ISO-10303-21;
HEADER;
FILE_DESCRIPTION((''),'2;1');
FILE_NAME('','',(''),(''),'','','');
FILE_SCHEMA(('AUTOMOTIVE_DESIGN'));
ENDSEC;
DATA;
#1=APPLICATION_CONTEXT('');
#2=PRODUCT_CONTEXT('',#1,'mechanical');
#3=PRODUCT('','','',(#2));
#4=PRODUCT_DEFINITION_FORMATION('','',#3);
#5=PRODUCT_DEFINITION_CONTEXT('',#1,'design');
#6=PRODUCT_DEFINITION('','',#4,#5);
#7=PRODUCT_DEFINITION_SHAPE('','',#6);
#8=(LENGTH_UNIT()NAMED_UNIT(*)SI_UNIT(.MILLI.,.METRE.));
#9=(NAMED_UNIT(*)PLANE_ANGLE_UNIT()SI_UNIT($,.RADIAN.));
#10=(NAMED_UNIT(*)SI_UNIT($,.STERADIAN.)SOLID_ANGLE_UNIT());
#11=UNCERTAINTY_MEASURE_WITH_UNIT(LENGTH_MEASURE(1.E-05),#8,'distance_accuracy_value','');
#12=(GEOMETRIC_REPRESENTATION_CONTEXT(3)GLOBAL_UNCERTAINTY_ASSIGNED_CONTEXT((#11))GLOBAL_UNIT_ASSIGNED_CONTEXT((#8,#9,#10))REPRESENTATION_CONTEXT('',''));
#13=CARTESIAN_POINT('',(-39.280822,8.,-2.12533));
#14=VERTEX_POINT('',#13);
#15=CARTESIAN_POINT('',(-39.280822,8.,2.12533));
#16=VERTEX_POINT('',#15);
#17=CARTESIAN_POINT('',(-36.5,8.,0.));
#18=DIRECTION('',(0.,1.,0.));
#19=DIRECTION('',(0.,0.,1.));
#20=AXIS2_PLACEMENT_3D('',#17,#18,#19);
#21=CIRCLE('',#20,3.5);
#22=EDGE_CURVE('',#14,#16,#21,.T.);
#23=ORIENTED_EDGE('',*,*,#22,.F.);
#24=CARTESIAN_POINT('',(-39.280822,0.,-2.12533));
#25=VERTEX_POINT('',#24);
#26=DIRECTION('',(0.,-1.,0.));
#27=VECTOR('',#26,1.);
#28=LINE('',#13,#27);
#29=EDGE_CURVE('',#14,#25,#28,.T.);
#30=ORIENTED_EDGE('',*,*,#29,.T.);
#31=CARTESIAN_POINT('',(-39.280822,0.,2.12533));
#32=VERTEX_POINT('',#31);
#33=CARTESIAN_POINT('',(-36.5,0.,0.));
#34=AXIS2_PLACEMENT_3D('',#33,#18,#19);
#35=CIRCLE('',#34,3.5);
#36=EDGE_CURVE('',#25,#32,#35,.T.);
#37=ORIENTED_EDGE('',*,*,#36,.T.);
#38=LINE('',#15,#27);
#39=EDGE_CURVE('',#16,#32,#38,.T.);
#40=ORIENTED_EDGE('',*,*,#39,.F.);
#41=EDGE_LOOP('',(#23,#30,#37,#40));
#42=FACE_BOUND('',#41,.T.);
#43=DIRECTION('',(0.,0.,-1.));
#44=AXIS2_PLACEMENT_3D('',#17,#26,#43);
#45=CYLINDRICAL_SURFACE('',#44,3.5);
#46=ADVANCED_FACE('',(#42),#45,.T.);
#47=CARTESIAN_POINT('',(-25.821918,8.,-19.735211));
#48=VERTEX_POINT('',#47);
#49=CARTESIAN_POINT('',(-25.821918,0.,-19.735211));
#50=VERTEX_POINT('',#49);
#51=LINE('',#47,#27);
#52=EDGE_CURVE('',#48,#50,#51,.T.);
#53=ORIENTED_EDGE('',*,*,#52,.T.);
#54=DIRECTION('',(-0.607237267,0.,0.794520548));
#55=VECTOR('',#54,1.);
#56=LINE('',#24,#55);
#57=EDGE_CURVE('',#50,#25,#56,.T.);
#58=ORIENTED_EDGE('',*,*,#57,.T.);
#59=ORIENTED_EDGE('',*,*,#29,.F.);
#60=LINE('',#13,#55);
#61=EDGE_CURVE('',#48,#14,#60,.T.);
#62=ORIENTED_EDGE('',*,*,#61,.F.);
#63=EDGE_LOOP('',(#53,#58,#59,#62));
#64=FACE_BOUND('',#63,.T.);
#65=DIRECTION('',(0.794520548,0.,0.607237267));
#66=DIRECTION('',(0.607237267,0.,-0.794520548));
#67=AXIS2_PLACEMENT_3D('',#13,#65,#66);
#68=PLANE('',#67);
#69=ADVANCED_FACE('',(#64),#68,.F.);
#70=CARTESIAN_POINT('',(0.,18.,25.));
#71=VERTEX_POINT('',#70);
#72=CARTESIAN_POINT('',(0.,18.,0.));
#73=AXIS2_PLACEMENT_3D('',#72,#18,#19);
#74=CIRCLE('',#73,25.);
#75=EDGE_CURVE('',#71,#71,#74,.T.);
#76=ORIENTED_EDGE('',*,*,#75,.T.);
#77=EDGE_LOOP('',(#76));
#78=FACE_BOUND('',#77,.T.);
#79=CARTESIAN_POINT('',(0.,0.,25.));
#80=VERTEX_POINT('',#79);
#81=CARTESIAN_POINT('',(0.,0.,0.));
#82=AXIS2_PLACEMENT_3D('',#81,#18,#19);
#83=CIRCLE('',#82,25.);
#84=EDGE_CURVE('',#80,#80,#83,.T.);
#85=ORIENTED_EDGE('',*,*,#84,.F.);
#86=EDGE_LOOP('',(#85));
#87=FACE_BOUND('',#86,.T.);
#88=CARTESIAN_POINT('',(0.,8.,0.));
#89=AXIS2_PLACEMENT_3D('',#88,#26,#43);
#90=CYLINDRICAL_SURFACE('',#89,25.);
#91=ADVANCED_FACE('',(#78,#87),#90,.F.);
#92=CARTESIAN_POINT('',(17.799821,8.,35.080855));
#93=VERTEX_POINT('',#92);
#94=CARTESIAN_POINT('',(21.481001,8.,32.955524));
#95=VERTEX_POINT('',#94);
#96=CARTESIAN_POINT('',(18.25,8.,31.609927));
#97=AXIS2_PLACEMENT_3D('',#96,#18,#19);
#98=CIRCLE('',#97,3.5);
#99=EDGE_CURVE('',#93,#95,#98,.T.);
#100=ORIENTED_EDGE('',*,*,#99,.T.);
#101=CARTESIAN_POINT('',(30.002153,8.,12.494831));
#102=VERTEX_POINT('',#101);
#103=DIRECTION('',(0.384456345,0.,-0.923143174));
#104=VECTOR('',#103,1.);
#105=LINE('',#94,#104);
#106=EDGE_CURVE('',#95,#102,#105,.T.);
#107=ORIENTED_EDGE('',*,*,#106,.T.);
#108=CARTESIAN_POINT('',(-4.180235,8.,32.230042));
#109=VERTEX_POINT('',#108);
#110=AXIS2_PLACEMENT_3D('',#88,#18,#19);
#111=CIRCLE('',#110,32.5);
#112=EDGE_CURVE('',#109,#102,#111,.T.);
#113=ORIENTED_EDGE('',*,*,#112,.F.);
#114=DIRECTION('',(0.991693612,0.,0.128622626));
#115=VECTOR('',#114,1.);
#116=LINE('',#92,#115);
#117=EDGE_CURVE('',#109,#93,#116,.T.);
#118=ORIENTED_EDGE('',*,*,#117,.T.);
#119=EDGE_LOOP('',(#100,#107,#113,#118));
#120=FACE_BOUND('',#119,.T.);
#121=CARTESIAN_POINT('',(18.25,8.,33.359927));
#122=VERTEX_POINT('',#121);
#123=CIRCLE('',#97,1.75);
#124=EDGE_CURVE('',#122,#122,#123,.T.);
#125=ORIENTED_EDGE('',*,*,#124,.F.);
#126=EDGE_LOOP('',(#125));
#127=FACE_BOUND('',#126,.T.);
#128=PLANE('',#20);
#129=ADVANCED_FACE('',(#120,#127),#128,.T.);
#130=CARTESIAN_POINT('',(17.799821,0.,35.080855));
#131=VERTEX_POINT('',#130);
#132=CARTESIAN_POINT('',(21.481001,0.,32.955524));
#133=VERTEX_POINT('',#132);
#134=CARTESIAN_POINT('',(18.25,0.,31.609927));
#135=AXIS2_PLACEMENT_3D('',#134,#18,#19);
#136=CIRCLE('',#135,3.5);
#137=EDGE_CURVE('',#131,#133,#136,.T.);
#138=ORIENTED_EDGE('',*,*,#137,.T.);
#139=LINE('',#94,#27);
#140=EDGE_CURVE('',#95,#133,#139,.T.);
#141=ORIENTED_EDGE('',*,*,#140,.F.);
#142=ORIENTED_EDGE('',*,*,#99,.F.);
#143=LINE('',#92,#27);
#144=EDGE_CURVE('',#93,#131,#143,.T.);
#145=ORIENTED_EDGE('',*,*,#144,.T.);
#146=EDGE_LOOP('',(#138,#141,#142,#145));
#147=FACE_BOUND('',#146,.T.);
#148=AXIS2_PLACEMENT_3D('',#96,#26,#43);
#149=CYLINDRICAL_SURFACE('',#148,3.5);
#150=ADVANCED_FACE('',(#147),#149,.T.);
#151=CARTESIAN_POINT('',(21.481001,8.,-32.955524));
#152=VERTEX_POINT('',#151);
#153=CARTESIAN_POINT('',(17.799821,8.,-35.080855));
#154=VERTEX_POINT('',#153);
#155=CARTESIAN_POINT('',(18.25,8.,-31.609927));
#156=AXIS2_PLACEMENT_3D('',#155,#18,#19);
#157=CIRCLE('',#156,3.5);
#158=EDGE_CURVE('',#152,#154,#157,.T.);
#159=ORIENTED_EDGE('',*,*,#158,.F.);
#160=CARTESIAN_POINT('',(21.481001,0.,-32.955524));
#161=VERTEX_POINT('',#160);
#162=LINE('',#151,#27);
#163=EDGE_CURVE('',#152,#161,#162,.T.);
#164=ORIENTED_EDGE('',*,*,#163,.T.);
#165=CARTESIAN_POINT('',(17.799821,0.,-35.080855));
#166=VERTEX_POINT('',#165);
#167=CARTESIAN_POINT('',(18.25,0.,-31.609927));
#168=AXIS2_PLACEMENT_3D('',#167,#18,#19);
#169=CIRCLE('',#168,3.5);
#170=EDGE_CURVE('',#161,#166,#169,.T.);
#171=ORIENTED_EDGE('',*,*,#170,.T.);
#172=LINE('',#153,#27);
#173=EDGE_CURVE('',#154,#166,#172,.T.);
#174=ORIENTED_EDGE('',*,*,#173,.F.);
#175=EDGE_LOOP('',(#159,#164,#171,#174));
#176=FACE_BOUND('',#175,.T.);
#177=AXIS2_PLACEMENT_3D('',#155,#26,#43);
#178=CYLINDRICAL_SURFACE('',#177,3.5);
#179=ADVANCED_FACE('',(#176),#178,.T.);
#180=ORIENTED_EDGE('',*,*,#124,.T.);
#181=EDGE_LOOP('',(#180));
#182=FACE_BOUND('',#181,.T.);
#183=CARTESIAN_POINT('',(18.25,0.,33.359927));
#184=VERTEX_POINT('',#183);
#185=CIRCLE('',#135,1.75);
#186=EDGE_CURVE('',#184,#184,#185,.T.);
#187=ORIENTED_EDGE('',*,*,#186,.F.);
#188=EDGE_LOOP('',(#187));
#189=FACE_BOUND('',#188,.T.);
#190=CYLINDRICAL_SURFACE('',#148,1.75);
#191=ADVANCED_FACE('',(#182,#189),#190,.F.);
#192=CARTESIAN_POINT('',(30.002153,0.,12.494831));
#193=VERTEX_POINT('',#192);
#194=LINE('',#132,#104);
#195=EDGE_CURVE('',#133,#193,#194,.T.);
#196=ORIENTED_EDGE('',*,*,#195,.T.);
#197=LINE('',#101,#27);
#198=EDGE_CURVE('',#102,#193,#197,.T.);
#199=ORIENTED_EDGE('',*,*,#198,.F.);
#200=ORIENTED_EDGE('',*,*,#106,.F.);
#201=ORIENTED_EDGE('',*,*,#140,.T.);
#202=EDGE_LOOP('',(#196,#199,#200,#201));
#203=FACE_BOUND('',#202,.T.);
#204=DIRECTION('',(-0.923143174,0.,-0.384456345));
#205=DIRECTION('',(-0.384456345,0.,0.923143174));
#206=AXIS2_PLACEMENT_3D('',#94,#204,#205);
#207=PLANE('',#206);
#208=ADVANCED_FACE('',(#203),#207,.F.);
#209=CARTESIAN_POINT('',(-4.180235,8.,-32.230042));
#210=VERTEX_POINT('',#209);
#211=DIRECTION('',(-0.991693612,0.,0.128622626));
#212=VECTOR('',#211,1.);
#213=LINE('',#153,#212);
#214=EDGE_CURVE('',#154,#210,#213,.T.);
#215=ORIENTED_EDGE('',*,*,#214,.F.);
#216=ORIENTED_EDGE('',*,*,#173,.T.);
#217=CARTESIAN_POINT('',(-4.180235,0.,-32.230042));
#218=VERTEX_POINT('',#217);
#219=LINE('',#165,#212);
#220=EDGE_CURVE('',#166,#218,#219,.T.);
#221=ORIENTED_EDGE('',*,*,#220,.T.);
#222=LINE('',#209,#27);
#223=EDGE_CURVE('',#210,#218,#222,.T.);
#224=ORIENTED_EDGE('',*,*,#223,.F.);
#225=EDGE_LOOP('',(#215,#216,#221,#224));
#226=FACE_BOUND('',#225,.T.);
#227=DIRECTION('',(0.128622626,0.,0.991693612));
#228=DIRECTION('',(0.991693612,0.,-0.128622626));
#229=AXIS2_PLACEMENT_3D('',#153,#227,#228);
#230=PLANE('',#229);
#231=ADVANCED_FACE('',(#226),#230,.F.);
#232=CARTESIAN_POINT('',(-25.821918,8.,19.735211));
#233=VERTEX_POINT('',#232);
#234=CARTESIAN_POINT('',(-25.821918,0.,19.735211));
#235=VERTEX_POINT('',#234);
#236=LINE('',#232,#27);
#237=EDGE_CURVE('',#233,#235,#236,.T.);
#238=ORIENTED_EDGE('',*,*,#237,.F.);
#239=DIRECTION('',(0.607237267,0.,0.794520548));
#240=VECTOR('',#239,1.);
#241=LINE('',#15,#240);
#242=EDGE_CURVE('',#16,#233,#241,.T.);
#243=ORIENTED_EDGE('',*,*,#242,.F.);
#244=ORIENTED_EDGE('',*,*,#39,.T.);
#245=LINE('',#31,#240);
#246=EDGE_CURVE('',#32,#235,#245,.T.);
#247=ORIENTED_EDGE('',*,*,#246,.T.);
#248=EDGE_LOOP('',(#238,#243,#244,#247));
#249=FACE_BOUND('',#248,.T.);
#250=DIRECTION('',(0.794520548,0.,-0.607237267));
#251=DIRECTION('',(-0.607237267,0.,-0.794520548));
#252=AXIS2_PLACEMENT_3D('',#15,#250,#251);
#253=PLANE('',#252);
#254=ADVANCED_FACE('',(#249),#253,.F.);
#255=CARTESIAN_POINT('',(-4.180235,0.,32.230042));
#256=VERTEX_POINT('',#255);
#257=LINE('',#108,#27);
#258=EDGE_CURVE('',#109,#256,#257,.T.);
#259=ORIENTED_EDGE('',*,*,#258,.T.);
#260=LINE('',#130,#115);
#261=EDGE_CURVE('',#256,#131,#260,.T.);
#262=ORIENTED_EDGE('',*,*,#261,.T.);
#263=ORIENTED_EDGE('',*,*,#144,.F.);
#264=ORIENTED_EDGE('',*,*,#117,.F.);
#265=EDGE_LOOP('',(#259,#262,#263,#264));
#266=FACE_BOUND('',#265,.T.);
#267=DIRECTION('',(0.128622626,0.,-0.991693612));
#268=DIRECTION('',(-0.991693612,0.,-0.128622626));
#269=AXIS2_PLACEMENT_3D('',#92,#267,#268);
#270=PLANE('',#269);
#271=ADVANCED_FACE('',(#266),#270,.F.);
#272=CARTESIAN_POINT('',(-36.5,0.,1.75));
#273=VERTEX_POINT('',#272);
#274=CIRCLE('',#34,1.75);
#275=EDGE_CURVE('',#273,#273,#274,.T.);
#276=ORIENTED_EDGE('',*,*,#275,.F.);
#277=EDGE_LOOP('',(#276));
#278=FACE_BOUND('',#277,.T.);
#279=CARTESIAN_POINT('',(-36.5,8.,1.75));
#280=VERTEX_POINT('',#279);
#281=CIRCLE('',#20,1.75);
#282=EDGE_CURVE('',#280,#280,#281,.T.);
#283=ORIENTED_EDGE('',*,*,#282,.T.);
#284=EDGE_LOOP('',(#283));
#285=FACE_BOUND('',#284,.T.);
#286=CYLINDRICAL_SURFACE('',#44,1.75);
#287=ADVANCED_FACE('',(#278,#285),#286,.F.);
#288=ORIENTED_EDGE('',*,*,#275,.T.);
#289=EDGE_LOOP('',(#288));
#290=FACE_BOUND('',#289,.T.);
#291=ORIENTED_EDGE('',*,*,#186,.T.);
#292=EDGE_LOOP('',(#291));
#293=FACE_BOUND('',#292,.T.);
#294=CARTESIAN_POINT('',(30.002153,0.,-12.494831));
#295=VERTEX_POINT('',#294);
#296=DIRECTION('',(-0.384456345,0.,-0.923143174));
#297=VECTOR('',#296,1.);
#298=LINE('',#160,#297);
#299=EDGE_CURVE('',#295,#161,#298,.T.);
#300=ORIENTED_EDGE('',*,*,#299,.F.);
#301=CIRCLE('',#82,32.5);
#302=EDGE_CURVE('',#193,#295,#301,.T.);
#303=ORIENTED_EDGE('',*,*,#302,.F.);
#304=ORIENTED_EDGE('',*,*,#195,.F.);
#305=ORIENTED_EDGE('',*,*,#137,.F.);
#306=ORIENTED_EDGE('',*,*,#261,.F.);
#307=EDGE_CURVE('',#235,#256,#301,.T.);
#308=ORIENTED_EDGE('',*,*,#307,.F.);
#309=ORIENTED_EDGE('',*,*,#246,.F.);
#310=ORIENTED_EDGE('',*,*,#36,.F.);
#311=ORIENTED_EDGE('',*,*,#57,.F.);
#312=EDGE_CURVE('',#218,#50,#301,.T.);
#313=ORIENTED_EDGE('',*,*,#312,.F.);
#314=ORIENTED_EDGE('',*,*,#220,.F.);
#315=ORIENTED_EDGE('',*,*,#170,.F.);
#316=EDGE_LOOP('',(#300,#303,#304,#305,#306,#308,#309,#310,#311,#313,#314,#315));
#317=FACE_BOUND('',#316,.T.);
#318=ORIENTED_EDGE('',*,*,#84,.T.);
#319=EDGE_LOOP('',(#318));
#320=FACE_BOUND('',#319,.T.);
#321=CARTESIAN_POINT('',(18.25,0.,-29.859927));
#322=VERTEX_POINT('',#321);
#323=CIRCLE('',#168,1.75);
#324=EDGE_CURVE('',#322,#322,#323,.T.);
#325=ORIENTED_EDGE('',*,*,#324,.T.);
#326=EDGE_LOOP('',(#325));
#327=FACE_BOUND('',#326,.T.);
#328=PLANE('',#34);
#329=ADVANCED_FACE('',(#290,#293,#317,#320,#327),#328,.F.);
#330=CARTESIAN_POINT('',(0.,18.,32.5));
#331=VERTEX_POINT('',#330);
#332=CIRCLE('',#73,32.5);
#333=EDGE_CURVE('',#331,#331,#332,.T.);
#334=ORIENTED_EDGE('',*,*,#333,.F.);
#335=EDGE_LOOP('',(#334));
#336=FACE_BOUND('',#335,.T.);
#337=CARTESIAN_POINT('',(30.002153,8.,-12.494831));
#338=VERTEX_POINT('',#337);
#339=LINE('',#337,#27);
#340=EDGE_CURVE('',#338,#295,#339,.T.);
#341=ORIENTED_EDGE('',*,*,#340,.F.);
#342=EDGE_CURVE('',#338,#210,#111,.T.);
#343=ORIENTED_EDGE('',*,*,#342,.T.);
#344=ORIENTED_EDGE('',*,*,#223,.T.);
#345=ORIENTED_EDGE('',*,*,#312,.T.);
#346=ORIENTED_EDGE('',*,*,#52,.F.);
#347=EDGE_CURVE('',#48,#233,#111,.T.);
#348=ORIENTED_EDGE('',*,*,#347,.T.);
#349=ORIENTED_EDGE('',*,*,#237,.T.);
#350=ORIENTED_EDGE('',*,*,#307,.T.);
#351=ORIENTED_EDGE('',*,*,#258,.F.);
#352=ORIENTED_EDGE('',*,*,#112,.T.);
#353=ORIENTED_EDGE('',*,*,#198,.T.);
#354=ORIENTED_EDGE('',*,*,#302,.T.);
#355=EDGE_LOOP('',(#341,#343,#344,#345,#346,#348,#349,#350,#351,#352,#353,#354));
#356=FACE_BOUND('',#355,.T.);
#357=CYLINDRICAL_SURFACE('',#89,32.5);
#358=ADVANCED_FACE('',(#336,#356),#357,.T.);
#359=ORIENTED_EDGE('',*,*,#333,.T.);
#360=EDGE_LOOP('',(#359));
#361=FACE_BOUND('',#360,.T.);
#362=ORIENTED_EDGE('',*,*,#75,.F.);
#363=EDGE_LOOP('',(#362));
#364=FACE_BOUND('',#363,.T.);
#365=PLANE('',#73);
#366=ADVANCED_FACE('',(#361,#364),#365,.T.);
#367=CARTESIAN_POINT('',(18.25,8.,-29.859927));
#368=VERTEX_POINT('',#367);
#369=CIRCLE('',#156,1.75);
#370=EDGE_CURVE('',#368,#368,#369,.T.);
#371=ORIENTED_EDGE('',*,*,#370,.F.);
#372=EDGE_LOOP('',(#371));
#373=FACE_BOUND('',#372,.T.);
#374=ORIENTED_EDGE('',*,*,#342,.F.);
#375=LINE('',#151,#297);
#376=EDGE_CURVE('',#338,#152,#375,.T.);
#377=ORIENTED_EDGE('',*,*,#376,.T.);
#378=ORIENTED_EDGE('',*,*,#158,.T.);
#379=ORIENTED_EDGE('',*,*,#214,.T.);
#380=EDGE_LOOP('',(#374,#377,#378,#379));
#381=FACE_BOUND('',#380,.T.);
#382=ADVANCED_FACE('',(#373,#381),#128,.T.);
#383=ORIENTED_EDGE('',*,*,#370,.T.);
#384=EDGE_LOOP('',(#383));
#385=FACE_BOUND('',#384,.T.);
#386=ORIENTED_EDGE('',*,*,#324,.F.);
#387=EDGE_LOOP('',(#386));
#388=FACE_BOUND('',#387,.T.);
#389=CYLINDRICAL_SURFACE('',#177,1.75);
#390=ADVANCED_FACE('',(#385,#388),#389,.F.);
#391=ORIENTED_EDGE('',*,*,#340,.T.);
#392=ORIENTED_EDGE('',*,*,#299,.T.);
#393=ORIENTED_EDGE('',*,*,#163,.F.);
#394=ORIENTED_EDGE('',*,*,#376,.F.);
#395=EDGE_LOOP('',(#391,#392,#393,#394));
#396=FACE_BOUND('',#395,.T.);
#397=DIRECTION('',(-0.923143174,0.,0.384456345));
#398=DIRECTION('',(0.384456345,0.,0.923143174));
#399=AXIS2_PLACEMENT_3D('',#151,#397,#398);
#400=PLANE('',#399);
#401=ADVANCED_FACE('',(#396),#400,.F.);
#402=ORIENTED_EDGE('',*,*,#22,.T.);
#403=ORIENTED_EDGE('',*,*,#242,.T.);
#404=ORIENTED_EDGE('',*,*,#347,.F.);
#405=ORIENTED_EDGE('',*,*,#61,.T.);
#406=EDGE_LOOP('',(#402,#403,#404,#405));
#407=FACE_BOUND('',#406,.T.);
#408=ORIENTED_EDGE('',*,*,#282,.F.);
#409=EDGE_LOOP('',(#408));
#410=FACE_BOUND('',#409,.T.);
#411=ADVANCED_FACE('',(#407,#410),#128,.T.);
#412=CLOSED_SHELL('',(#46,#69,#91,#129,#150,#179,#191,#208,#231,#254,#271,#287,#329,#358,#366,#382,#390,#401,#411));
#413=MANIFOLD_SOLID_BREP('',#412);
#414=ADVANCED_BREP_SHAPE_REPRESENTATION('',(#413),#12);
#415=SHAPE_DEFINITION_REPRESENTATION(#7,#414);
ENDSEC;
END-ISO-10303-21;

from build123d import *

# Parameters (mm, degrees)
CROQUIS1_R              = 25
CROQUIS1_R_2            = 1.75
SALIENTE_EXTRUIR1_DEPTH = 8
CROQUIS2_R              = 32.5
CROQUIS2_R_2            = 25
SALIENTE_EXTRUIR2_DEPTH = 10


with BuildPart() as part:
    # Croquis1 → Saliente-Extruir1 (new body)
    with BuildSketch(Plane(origin=(0, 0, 0), x_dir=(1, 0, 0), z_dir=(0, 1, 0))):
        with BuildLine():
            Line((-39.280821918, 2.125330436), (-25.821917808, 19.73521119))
            ThreePointArc((-25.821917808, 19.73521119), (-16.25, 28.145825623), (-4.180235335, 32.230042391))
            Line((-4.180235335, 32.230042391), (17.79982081, 35.08085488))
            ThreePointArc((17.79982081, 35.08085488), (20, 34.641016151), (21.481001108, 32.955524444))
            Line((21.481001108, 32.955524444), (30.002153144, 12.494831201))
            ThreePointArc((30.002153144, 12.494831201), (32.5, 0), (30.002153144, -12.494831201))
            Line((30.002153144, -12.494831201), (21.481001108, -32.955524444))
            ThreePointArc((21.481001108, -32.955524444), (20, -34.641016151), (17.79982081, -35.08085488))
            Line((17.79982081, -35.08085488), (-4.180235335, -32.230042391))
            ThreePointArc((-4.180235335, -32.230042391), (-16.25, -28.145825623), (-25.821917808, -19.73521119))
            Line((-25.821917808, -19.73521119), (-39.280821918, -2.125330436))
            ThreePointArc((-39.280821918, -2.125330436), (-40, 0), (-39.280821918, 2.125330436))
        make_face()
        with Locations(Location((0, 0, 0), (0, 0, 270))):
            Circle(CROQUIS1_R, mode=Mode.SUBTRACT)
        with Locations(Location((18.25, 31.609927238, 0), (0, 0, 270))):
            Circle(CROQUIS1_R_2, mode=Mode.SUBTRACT)
        with Locations(Location((-36.5, 0, 0), (0, 0, 270))):
            Circle(CROQUIS1_R_2, mode=Mode.SUBTRACT)
        with Locations(Location((18.25, -31.609927238, 0), (0, 0, 270))):
            Circle(CROQUIS1_R_2, mode=Mode.SUBTRACT)
    extrude(amount=SALIENTE_EXTRUIR1_DEPTH)

    # Croquis2 → Saliente-Extruir2 (add)
    with BuildSketch(Plane(origin=(0, 8, 0), x_dir=(1, 0, 0), z_dir=(0, 1, 0))):
        with Locations(Location((0, 0, 0), (0, 0, 97.390006376))):
            Circle(CROQUIS2_R)
        with Locations(Location((0, 0, 0), (0, 0, 270))):
            Circle(CROQUIS2_R_2, mode=Mode.SUBTRACT)
    extrude(amount=SALIENTE_EXTRUIR2_DEPTH)


solid = part.part
